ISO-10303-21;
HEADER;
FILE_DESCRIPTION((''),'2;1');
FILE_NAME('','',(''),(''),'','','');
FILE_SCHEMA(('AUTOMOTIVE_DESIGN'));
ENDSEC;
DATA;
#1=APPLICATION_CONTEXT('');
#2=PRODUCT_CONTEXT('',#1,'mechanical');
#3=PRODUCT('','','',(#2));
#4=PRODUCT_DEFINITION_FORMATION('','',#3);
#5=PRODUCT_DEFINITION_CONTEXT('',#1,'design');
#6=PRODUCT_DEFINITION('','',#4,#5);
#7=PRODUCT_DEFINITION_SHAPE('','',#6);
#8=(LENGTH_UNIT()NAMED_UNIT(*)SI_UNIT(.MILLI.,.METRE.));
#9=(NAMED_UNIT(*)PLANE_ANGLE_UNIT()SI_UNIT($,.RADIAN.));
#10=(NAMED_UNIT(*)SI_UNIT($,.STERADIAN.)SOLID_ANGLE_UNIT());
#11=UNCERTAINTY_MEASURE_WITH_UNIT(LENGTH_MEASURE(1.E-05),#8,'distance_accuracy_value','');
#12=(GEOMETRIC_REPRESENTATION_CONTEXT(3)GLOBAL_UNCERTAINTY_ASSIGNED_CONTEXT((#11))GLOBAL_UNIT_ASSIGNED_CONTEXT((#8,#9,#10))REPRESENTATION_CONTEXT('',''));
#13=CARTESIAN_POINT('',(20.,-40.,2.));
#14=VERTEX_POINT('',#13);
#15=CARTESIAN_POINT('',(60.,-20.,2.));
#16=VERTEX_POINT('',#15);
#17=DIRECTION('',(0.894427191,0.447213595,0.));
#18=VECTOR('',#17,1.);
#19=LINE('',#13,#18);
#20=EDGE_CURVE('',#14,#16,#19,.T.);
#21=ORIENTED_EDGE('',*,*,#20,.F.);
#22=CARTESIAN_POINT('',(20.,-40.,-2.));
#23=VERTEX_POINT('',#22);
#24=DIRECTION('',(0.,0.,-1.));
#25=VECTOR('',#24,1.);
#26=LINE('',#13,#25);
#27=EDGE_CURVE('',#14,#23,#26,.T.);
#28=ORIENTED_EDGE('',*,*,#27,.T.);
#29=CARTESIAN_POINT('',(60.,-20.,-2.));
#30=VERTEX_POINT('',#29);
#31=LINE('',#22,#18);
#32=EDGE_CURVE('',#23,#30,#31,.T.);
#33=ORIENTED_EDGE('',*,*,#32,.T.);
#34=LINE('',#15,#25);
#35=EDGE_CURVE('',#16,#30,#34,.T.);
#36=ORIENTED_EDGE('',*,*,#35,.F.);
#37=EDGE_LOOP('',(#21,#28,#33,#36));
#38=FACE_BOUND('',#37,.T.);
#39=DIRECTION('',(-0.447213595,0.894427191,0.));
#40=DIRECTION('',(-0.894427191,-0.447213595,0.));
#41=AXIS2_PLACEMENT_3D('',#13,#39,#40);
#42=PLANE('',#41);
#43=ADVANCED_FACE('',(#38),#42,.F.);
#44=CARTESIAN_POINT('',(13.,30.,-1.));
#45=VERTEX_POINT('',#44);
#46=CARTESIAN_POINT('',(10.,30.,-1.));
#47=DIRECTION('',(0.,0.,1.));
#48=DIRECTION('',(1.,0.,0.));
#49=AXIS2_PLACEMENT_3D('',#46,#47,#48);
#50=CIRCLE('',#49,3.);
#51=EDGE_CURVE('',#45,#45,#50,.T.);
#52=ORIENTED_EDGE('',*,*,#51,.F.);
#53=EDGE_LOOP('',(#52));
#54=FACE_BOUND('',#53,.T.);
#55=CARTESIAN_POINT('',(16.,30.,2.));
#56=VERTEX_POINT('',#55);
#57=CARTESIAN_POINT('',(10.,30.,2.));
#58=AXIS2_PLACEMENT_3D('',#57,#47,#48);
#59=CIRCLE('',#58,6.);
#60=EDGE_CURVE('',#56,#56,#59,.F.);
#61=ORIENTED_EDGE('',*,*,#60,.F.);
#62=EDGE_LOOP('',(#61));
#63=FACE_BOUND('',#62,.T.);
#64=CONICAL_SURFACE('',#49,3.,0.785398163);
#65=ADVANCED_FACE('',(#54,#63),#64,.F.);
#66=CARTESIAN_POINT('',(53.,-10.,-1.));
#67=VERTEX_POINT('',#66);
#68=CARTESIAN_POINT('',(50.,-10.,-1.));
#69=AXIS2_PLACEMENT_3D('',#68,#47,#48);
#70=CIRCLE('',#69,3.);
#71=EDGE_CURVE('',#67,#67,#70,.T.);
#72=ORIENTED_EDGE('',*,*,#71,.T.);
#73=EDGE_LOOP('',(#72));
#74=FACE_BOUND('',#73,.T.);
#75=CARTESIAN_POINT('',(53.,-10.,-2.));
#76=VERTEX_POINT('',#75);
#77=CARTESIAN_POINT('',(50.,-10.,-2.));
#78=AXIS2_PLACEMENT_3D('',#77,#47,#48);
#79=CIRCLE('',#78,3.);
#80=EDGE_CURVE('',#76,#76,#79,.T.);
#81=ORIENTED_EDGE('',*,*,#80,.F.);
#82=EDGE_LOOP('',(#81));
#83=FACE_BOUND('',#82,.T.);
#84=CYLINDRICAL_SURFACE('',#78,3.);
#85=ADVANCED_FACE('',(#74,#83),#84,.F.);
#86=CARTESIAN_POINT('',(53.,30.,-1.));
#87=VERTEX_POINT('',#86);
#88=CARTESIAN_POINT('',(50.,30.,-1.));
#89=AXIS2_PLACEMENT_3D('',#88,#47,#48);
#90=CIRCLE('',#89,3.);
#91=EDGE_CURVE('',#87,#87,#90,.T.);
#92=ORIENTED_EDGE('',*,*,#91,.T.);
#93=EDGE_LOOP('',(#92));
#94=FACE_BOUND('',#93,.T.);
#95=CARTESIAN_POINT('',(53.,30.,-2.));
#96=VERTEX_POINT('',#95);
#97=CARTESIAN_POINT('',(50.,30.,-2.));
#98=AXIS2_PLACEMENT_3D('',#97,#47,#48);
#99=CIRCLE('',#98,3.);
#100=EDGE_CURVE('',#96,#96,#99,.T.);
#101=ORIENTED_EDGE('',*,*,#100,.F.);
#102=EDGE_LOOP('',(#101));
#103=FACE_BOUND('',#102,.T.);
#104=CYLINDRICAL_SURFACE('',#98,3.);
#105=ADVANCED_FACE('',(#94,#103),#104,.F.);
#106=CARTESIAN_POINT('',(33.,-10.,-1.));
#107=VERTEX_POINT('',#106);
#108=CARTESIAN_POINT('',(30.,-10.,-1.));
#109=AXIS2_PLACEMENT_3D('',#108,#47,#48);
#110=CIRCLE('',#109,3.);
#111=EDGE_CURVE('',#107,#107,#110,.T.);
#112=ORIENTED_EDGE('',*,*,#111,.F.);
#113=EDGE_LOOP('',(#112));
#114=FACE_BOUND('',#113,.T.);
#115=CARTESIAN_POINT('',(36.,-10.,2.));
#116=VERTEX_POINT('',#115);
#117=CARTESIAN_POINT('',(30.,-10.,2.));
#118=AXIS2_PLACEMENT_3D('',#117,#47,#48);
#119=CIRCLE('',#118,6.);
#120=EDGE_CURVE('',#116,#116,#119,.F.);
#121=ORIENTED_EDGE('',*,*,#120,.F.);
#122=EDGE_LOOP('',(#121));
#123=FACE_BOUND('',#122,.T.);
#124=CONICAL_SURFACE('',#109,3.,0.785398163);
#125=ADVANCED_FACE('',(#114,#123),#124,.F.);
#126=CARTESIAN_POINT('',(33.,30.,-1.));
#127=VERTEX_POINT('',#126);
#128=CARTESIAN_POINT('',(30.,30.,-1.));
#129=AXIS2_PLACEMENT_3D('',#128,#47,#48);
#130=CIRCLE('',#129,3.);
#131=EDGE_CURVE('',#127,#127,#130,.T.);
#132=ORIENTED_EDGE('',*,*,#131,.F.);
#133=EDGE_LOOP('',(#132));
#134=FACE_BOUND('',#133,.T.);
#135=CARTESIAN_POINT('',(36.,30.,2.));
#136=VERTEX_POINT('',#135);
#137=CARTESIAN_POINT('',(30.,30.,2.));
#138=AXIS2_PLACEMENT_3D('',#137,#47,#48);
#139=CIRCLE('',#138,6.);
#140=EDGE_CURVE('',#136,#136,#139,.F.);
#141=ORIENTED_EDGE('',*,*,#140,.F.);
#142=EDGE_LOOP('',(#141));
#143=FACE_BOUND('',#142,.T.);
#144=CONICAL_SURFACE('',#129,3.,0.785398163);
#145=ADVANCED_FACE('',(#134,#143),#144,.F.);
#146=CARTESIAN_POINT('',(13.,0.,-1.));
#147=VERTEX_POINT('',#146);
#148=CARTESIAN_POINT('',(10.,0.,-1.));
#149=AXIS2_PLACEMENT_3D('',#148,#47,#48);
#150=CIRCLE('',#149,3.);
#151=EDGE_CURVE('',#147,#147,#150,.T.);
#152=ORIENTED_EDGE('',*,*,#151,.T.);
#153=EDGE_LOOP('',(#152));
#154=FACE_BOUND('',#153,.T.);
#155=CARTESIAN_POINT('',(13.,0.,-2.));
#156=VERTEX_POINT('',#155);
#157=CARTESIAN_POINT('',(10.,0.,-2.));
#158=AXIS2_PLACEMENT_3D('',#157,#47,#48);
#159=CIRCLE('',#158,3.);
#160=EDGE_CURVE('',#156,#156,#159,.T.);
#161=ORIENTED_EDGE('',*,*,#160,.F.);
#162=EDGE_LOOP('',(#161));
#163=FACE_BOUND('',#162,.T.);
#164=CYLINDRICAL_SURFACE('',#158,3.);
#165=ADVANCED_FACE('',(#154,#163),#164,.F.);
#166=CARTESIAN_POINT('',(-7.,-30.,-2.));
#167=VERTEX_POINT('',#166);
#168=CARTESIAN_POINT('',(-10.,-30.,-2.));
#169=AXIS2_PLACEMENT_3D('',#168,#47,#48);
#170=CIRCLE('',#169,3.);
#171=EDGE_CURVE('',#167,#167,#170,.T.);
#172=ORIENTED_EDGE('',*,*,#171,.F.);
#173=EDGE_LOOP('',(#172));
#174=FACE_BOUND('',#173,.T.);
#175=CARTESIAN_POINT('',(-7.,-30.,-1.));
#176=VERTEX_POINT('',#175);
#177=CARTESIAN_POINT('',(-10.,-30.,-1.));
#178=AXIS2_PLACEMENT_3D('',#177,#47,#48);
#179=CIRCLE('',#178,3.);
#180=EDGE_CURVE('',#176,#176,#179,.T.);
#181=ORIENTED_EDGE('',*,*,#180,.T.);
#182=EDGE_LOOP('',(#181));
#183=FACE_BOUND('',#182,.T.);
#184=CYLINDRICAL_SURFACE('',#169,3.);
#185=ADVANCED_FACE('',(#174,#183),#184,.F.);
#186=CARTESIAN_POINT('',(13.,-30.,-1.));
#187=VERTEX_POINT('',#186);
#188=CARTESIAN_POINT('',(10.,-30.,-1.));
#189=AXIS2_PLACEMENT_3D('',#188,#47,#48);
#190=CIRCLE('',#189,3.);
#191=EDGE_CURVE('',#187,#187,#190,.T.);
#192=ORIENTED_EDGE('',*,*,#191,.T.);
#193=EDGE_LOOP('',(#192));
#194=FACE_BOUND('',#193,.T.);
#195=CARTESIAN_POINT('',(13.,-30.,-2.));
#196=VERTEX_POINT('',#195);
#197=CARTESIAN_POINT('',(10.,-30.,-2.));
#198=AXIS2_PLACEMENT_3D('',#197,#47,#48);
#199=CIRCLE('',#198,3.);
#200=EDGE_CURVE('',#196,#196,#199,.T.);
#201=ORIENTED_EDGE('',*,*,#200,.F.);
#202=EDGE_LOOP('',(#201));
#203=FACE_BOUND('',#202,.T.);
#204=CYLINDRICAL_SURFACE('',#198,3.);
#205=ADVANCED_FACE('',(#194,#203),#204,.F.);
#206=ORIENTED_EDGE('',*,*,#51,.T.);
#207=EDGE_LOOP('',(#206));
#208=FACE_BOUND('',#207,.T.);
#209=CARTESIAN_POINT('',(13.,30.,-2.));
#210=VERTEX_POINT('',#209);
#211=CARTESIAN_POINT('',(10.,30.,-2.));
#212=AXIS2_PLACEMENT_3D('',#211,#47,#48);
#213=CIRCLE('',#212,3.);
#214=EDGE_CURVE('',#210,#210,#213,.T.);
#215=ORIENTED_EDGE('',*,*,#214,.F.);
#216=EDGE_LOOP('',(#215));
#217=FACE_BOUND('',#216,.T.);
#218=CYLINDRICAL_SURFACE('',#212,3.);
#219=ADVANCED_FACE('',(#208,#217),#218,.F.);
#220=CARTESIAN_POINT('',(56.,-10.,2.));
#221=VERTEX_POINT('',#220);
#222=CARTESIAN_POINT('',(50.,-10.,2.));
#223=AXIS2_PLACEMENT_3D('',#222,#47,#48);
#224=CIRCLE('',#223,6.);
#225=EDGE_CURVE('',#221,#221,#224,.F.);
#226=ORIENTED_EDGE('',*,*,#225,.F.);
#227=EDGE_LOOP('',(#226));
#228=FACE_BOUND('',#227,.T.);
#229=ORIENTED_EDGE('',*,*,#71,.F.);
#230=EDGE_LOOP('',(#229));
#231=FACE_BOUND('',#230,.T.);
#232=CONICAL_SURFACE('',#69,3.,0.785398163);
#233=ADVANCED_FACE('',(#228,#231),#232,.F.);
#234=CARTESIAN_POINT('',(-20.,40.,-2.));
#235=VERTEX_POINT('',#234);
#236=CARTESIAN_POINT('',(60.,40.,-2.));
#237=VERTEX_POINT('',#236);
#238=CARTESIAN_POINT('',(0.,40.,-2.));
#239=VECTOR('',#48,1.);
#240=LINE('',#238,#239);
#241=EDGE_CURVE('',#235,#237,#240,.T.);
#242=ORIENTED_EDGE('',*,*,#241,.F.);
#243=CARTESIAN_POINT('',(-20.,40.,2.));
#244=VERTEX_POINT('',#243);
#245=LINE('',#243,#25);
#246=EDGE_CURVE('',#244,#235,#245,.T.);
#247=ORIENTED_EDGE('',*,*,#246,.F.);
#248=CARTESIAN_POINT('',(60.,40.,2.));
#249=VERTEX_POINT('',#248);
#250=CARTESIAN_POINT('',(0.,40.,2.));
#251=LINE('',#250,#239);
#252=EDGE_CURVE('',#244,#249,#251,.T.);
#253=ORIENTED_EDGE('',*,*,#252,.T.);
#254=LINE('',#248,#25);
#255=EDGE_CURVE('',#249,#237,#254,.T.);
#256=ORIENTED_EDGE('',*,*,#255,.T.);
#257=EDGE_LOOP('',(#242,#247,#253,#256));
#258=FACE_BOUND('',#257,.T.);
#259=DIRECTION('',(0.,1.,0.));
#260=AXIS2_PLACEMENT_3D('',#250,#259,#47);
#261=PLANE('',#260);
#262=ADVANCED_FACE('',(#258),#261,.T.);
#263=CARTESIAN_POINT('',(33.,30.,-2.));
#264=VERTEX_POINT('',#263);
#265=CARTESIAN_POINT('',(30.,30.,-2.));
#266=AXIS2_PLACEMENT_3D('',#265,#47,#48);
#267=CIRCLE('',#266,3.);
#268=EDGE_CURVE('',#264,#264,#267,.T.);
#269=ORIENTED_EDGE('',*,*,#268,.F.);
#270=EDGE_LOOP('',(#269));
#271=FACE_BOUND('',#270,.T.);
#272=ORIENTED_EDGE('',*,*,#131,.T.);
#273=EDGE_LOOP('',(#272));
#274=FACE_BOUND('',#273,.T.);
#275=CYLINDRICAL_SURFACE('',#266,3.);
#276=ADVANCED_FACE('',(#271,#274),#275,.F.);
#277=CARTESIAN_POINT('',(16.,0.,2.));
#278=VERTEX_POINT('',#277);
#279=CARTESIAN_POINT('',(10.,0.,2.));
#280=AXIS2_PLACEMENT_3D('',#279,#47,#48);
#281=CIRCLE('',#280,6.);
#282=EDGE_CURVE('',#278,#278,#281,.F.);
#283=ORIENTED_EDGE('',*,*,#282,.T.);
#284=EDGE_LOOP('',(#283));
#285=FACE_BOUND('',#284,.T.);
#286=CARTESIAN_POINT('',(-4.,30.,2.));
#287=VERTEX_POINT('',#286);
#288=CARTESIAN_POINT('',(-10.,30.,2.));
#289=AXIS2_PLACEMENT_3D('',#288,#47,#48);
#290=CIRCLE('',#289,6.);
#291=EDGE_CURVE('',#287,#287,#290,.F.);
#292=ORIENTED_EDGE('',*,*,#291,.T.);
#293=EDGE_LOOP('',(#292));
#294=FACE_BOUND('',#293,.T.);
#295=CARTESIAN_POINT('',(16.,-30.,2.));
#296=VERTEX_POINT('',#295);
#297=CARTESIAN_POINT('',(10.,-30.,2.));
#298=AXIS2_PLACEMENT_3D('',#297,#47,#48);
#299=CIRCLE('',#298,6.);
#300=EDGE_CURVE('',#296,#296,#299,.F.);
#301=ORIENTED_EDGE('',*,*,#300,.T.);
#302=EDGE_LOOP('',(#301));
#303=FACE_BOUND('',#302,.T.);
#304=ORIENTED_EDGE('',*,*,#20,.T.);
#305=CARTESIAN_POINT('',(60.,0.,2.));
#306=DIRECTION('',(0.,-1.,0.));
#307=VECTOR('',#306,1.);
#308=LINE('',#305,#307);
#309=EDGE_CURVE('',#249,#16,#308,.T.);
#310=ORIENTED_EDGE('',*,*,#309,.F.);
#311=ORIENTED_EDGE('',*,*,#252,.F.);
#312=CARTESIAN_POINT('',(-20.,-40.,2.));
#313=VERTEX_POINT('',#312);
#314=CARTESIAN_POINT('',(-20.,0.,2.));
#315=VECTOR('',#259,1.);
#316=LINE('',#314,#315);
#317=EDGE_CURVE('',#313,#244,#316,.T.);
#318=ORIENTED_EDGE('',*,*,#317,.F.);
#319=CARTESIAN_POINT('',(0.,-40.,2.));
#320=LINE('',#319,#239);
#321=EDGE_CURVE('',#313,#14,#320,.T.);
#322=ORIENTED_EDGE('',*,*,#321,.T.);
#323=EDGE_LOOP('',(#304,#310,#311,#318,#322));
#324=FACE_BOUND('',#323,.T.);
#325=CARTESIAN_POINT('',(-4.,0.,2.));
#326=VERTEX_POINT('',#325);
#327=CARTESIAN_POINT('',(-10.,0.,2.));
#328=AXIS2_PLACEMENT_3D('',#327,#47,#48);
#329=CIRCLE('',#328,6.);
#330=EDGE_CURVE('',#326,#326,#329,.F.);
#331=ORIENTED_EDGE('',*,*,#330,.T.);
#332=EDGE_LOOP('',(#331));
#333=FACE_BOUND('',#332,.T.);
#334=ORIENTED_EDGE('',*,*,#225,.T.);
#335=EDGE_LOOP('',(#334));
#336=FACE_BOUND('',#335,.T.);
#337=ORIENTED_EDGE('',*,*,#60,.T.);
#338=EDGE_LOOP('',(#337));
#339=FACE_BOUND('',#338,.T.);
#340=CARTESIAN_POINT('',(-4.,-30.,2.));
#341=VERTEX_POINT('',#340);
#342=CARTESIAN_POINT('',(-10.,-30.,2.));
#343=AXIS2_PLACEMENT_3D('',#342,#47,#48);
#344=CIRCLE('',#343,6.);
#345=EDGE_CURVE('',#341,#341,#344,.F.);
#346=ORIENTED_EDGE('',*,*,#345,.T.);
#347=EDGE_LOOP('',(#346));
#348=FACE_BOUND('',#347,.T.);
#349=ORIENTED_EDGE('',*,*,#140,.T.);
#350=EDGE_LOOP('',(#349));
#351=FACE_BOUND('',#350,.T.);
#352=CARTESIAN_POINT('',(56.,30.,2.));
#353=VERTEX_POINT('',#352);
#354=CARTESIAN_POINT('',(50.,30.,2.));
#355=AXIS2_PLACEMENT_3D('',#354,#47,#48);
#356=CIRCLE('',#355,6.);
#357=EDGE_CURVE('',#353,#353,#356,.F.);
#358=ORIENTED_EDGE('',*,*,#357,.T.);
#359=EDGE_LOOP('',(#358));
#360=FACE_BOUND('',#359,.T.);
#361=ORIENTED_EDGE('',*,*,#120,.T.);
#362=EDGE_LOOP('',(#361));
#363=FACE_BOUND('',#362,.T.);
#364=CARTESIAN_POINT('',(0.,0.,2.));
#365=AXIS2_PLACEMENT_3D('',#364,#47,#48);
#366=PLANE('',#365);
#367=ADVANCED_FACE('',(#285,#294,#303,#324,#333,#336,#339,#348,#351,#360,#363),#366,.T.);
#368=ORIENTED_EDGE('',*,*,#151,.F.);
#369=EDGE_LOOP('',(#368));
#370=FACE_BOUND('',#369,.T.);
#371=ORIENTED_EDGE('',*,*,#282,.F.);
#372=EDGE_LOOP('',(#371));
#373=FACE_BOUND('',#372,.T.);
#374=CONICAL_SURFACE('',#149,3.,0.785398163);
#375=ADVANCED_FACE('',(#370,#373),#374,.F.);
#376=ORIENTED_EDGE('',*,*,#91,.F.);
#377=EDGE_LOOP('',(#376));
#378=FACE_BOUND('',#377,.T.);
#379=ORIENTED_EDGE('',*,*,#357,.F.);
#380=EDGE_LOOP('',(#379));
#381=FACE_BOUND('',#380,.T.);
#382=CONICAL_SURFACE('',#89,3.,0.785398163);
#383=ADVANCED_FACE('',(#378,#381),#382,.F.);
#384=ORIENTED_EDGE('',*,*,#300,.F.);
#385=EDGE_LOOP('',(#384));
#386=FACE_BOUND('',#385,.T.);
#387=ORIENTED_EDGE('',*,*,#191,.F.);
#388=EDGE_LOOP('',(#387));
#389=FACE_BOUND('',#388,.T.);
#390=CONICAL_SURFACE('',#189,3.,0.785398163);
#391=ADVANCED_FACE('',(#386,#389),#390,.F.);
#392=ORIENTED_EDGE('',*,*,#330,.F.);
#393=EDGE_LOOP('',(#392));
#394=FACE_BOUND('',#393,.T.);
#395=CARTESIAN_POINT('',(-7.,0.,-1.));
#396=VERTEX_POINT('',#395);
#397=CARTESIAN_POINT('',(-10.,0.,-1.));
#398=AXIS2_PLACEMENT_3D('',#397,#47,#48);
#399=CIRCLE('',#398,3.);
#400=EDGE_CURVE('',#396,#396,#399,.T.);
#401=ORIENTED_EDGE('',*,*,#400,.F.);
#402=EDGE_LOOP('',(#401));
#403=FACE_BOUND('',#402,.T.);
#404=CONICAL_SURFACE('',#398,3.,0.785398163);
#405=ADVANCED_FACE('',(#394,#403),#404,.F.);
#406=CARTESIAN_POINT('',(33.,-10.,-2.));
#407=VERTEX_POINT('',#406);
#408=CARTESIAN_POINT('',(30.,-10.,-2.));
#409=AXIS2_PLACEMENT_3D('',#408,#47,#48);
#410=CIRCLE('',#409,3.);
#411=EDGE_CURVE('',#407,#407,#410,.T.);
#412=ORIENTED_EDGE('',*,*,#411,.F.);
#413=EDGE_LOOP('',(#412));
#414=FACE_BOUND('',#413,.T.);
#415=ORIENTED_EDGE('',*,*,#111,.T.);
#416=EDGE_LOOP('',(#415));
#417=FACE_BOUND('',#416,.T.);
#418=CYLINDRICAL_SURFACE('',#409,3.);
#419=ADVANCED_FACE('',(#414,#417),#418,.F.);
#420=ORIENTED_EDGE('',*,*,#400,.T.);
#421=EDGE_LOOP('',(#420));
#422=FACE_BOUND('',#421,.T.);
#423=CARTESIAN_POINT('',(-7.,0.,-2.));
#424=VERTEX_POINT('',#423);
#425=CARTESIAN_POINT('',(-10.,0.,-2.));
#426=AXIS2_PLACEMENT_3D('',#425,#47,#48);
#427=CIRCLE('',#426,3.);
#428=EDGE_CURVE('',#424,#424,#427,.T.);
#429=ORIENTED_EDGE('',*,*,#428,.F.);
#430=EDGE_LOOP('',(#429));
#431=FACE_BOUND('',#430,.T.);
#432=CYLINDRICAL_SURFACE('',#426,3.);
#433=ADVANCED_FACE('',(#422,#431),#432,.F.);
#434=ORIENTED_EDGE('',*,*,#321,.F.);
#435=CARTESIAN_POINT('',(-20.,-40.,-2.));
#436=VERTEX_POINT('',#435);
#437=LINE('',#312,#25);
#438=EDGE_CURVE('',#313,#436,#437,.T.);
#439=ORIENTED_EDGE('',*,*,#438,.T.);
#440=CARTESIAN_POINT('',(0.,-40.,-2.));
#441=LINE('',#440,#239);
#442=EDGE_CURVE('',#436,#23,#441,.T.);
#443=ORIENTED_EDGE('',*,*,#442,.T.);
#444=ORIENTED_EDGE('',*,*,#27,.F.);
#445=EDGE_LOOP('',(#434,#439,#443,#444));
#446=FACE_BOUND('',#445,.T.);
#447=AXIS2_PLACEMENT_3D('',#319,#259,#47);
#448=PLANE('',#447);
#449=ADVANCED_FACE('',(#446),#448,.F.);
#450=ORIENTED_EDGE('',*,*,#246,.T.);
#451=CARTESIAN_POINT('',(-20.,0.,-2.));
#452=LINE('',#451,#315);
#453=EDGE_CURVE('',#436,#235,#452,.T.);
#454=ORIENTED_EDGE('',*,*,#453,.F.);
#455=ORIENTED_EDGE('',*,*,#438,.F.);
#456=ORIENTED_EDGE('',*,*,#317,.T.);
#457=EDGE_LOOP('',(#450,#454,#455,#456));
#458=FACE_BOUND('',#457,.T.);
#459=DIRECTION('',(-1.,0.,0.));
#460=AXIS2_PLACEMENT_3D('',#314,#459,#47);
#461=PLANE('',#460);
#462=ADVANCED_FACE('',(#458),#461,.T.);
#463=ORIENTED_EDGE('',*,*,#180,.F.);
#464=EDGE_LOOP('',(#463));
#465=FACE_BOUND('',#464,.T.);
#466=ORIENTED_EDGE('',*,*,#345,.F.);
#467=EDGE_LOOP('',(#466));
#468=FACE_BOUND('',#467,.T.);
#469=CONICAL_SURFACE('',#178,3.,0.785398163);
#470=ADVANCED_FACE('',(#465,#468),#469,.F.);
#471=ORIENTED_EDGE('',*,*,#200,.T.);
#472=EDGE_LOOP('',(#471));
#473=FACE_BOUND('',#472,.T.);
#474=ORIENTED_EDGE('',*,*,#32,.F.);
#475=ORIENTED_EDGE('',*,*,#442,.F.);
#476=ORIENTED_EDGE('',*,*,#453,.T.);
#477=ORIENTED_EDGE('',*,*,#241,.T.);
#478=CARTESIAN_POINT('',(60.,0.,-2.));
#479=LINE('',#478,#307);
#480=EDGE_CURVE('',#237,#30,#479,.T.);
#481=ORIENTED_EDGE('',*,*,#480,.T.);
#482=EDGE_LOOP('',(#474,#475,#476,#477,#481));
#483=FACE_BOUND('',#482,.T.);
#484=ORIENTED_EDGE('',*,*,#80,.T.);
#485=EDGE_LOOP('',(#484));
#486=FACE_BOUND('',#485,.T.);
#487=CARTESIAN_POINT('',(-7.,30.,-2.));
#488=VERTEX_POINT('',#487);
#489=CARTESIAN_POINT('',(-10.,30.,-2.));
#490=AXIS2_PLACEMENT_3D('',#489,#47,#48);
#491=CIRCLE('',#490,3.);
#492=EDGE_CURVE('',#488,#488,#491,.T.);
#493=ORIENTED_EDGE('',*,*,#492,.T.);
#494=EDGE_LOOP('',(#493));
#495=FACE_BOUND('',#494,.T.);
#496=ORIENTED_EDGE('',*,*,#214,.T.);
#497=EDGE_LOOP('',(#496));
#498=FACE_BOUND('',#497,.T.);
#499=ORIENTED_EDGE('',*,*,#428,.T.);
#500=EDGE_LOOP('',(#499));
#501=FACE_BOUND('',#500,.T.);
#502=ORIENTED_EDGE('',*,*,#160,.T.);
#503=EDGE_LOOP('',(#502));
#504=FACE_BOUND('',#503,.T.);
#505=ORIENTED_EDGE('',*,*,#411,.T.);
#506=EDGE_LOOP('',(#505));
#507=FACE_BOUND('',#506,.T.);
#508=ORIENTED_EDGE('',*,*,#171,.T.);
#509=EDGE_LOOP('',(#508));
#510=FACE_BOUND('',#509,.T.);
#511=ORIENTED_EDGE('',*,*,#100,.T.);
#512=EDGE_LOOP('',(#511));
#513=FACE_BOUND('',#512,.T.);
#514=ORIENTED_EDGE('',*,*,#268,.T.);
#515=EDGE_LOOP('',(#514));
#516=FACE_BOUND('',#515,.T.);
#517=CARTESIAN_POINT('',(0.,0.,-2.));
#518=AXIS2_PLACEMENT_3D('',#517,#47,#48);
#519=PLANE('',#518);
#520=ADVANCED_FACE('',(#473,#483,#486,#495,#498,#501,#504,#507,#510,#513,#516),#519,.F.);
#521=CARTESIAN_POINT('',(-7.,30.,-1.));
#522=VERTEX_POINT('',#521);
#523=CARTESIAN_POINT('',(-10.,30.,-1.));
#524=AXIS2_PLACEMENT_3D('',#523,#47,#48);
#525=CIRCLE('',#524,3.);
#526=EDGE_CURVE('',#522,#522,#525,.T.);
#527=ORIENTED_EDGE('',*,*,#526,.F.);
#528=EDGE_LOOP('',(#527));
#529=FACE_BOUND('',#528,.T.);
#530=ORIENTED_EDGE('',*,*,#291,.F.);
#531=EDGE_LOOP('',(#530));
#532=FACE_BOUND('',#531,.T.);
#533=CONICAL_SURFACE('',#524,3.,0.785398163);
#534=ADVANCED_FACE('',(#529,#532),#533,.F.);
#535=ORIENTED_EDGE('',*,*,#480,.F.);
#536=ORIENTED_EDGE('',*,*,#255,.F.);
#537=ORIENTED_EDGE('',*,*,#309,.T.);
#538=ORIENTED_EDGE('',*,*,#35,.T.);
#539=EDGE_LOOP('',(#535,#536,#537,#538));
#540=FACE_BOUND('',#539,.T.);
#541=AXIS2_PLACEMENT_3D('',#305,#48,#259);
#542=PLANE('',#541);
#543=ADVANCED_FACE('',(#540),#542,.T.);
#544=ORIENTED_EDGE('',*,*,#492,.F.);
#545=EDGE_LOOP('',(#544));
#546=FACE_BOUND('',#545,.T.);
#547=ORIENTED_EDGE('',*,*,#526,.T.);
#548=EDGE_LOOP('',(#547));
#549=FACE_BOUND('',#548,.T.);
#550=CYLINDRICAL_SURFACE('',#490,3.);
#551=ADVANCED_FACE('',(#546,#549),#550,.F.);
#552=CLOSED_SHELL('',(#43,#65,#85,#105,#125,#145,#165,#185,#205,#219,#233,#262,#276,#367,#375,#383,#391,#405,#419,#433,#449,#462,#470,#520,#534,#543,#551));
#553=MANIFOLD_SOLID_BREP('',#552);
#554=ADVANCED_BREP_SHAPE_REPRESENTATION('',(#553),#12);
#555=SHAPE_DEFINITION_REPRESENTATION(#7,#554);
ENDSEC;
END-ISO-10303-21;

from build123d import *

# Parameters (mm, degrees)
SKETCH1_W           = 40
SKETCH1_H           = 80
SKETCH1_H_2         = 60
BOSS_EXTRUDE1_DEPTH = 2
SKETCH2_R           = 3
CUT_EXTRUDE1_DEPTH  = 5
CHAMFER1_SIZE       = 3


with BuildPart() as part:
    # Sketch1 → Boss-Extrude1 (new body, symmetric)
    with BuildSketch(Plane.XY):
        Rectangle(SKETCH1_W, SKETCH1_H)
        Polygon((20, -20), (20, -40), (60, -20), align=None)
        with Locations((40, 10)):
            Rectangle(SKETCH1_W, SKETCH1_H_2)
    extrude(amount=BOSS_EXTRUDE1_DEPTH, both=True)

    # Sketch2 → Cut-Extrude1 (cut, through all)
    with BuildSketch(Plane.XY.offset(2)):
        with Locations((50, 30)):
            Circle(SKETCH2_R)
        with Locations((30, 30)):
            Circle(SKETCH2_R)
        with Locations((50, -10)):
            Circle(SKETCH2_R)
        with Locations((30, -10)):
            Circle(SKETCH2_R)
        with Locations((-10, 30)):
            Circle(SKETCH2_R)
        with Locations((10, 30)):
            Circle(SKETCH2_R)
        with Locations((-10, 0)):
            Circle(SKETCH2_R)
        with Locations((10, 0)):
            Circle(SKETCH2_R)
        with Locations((-10, -30)):
            Circle(SKETCH2_R)
        with Locations((10, -30)):
            Circle(SKETCH2_R)
    extrude(amount=-CUT_EXTRUDE1_DEPTH, mode=Mode.SUBTRACT)

    # Chamfer1
    chamfer1_edges = [part.edges().sort_by_distance(p)[0] for p in [
        (7, 30, 2),
        (-13, 0, 2),
        (7, 0, 2),
        (-13, -30, 2),
        (27, 30, 2),
        (47, -10, 2),
        (27, -10, 2),
        (-13, 30, 2),
        (7, -30, 2),
        (47, 30, 2),
    ]]
    chamfer(chamfer1_edges, length=CHAMFER1_SIZE)


solid = part.part
